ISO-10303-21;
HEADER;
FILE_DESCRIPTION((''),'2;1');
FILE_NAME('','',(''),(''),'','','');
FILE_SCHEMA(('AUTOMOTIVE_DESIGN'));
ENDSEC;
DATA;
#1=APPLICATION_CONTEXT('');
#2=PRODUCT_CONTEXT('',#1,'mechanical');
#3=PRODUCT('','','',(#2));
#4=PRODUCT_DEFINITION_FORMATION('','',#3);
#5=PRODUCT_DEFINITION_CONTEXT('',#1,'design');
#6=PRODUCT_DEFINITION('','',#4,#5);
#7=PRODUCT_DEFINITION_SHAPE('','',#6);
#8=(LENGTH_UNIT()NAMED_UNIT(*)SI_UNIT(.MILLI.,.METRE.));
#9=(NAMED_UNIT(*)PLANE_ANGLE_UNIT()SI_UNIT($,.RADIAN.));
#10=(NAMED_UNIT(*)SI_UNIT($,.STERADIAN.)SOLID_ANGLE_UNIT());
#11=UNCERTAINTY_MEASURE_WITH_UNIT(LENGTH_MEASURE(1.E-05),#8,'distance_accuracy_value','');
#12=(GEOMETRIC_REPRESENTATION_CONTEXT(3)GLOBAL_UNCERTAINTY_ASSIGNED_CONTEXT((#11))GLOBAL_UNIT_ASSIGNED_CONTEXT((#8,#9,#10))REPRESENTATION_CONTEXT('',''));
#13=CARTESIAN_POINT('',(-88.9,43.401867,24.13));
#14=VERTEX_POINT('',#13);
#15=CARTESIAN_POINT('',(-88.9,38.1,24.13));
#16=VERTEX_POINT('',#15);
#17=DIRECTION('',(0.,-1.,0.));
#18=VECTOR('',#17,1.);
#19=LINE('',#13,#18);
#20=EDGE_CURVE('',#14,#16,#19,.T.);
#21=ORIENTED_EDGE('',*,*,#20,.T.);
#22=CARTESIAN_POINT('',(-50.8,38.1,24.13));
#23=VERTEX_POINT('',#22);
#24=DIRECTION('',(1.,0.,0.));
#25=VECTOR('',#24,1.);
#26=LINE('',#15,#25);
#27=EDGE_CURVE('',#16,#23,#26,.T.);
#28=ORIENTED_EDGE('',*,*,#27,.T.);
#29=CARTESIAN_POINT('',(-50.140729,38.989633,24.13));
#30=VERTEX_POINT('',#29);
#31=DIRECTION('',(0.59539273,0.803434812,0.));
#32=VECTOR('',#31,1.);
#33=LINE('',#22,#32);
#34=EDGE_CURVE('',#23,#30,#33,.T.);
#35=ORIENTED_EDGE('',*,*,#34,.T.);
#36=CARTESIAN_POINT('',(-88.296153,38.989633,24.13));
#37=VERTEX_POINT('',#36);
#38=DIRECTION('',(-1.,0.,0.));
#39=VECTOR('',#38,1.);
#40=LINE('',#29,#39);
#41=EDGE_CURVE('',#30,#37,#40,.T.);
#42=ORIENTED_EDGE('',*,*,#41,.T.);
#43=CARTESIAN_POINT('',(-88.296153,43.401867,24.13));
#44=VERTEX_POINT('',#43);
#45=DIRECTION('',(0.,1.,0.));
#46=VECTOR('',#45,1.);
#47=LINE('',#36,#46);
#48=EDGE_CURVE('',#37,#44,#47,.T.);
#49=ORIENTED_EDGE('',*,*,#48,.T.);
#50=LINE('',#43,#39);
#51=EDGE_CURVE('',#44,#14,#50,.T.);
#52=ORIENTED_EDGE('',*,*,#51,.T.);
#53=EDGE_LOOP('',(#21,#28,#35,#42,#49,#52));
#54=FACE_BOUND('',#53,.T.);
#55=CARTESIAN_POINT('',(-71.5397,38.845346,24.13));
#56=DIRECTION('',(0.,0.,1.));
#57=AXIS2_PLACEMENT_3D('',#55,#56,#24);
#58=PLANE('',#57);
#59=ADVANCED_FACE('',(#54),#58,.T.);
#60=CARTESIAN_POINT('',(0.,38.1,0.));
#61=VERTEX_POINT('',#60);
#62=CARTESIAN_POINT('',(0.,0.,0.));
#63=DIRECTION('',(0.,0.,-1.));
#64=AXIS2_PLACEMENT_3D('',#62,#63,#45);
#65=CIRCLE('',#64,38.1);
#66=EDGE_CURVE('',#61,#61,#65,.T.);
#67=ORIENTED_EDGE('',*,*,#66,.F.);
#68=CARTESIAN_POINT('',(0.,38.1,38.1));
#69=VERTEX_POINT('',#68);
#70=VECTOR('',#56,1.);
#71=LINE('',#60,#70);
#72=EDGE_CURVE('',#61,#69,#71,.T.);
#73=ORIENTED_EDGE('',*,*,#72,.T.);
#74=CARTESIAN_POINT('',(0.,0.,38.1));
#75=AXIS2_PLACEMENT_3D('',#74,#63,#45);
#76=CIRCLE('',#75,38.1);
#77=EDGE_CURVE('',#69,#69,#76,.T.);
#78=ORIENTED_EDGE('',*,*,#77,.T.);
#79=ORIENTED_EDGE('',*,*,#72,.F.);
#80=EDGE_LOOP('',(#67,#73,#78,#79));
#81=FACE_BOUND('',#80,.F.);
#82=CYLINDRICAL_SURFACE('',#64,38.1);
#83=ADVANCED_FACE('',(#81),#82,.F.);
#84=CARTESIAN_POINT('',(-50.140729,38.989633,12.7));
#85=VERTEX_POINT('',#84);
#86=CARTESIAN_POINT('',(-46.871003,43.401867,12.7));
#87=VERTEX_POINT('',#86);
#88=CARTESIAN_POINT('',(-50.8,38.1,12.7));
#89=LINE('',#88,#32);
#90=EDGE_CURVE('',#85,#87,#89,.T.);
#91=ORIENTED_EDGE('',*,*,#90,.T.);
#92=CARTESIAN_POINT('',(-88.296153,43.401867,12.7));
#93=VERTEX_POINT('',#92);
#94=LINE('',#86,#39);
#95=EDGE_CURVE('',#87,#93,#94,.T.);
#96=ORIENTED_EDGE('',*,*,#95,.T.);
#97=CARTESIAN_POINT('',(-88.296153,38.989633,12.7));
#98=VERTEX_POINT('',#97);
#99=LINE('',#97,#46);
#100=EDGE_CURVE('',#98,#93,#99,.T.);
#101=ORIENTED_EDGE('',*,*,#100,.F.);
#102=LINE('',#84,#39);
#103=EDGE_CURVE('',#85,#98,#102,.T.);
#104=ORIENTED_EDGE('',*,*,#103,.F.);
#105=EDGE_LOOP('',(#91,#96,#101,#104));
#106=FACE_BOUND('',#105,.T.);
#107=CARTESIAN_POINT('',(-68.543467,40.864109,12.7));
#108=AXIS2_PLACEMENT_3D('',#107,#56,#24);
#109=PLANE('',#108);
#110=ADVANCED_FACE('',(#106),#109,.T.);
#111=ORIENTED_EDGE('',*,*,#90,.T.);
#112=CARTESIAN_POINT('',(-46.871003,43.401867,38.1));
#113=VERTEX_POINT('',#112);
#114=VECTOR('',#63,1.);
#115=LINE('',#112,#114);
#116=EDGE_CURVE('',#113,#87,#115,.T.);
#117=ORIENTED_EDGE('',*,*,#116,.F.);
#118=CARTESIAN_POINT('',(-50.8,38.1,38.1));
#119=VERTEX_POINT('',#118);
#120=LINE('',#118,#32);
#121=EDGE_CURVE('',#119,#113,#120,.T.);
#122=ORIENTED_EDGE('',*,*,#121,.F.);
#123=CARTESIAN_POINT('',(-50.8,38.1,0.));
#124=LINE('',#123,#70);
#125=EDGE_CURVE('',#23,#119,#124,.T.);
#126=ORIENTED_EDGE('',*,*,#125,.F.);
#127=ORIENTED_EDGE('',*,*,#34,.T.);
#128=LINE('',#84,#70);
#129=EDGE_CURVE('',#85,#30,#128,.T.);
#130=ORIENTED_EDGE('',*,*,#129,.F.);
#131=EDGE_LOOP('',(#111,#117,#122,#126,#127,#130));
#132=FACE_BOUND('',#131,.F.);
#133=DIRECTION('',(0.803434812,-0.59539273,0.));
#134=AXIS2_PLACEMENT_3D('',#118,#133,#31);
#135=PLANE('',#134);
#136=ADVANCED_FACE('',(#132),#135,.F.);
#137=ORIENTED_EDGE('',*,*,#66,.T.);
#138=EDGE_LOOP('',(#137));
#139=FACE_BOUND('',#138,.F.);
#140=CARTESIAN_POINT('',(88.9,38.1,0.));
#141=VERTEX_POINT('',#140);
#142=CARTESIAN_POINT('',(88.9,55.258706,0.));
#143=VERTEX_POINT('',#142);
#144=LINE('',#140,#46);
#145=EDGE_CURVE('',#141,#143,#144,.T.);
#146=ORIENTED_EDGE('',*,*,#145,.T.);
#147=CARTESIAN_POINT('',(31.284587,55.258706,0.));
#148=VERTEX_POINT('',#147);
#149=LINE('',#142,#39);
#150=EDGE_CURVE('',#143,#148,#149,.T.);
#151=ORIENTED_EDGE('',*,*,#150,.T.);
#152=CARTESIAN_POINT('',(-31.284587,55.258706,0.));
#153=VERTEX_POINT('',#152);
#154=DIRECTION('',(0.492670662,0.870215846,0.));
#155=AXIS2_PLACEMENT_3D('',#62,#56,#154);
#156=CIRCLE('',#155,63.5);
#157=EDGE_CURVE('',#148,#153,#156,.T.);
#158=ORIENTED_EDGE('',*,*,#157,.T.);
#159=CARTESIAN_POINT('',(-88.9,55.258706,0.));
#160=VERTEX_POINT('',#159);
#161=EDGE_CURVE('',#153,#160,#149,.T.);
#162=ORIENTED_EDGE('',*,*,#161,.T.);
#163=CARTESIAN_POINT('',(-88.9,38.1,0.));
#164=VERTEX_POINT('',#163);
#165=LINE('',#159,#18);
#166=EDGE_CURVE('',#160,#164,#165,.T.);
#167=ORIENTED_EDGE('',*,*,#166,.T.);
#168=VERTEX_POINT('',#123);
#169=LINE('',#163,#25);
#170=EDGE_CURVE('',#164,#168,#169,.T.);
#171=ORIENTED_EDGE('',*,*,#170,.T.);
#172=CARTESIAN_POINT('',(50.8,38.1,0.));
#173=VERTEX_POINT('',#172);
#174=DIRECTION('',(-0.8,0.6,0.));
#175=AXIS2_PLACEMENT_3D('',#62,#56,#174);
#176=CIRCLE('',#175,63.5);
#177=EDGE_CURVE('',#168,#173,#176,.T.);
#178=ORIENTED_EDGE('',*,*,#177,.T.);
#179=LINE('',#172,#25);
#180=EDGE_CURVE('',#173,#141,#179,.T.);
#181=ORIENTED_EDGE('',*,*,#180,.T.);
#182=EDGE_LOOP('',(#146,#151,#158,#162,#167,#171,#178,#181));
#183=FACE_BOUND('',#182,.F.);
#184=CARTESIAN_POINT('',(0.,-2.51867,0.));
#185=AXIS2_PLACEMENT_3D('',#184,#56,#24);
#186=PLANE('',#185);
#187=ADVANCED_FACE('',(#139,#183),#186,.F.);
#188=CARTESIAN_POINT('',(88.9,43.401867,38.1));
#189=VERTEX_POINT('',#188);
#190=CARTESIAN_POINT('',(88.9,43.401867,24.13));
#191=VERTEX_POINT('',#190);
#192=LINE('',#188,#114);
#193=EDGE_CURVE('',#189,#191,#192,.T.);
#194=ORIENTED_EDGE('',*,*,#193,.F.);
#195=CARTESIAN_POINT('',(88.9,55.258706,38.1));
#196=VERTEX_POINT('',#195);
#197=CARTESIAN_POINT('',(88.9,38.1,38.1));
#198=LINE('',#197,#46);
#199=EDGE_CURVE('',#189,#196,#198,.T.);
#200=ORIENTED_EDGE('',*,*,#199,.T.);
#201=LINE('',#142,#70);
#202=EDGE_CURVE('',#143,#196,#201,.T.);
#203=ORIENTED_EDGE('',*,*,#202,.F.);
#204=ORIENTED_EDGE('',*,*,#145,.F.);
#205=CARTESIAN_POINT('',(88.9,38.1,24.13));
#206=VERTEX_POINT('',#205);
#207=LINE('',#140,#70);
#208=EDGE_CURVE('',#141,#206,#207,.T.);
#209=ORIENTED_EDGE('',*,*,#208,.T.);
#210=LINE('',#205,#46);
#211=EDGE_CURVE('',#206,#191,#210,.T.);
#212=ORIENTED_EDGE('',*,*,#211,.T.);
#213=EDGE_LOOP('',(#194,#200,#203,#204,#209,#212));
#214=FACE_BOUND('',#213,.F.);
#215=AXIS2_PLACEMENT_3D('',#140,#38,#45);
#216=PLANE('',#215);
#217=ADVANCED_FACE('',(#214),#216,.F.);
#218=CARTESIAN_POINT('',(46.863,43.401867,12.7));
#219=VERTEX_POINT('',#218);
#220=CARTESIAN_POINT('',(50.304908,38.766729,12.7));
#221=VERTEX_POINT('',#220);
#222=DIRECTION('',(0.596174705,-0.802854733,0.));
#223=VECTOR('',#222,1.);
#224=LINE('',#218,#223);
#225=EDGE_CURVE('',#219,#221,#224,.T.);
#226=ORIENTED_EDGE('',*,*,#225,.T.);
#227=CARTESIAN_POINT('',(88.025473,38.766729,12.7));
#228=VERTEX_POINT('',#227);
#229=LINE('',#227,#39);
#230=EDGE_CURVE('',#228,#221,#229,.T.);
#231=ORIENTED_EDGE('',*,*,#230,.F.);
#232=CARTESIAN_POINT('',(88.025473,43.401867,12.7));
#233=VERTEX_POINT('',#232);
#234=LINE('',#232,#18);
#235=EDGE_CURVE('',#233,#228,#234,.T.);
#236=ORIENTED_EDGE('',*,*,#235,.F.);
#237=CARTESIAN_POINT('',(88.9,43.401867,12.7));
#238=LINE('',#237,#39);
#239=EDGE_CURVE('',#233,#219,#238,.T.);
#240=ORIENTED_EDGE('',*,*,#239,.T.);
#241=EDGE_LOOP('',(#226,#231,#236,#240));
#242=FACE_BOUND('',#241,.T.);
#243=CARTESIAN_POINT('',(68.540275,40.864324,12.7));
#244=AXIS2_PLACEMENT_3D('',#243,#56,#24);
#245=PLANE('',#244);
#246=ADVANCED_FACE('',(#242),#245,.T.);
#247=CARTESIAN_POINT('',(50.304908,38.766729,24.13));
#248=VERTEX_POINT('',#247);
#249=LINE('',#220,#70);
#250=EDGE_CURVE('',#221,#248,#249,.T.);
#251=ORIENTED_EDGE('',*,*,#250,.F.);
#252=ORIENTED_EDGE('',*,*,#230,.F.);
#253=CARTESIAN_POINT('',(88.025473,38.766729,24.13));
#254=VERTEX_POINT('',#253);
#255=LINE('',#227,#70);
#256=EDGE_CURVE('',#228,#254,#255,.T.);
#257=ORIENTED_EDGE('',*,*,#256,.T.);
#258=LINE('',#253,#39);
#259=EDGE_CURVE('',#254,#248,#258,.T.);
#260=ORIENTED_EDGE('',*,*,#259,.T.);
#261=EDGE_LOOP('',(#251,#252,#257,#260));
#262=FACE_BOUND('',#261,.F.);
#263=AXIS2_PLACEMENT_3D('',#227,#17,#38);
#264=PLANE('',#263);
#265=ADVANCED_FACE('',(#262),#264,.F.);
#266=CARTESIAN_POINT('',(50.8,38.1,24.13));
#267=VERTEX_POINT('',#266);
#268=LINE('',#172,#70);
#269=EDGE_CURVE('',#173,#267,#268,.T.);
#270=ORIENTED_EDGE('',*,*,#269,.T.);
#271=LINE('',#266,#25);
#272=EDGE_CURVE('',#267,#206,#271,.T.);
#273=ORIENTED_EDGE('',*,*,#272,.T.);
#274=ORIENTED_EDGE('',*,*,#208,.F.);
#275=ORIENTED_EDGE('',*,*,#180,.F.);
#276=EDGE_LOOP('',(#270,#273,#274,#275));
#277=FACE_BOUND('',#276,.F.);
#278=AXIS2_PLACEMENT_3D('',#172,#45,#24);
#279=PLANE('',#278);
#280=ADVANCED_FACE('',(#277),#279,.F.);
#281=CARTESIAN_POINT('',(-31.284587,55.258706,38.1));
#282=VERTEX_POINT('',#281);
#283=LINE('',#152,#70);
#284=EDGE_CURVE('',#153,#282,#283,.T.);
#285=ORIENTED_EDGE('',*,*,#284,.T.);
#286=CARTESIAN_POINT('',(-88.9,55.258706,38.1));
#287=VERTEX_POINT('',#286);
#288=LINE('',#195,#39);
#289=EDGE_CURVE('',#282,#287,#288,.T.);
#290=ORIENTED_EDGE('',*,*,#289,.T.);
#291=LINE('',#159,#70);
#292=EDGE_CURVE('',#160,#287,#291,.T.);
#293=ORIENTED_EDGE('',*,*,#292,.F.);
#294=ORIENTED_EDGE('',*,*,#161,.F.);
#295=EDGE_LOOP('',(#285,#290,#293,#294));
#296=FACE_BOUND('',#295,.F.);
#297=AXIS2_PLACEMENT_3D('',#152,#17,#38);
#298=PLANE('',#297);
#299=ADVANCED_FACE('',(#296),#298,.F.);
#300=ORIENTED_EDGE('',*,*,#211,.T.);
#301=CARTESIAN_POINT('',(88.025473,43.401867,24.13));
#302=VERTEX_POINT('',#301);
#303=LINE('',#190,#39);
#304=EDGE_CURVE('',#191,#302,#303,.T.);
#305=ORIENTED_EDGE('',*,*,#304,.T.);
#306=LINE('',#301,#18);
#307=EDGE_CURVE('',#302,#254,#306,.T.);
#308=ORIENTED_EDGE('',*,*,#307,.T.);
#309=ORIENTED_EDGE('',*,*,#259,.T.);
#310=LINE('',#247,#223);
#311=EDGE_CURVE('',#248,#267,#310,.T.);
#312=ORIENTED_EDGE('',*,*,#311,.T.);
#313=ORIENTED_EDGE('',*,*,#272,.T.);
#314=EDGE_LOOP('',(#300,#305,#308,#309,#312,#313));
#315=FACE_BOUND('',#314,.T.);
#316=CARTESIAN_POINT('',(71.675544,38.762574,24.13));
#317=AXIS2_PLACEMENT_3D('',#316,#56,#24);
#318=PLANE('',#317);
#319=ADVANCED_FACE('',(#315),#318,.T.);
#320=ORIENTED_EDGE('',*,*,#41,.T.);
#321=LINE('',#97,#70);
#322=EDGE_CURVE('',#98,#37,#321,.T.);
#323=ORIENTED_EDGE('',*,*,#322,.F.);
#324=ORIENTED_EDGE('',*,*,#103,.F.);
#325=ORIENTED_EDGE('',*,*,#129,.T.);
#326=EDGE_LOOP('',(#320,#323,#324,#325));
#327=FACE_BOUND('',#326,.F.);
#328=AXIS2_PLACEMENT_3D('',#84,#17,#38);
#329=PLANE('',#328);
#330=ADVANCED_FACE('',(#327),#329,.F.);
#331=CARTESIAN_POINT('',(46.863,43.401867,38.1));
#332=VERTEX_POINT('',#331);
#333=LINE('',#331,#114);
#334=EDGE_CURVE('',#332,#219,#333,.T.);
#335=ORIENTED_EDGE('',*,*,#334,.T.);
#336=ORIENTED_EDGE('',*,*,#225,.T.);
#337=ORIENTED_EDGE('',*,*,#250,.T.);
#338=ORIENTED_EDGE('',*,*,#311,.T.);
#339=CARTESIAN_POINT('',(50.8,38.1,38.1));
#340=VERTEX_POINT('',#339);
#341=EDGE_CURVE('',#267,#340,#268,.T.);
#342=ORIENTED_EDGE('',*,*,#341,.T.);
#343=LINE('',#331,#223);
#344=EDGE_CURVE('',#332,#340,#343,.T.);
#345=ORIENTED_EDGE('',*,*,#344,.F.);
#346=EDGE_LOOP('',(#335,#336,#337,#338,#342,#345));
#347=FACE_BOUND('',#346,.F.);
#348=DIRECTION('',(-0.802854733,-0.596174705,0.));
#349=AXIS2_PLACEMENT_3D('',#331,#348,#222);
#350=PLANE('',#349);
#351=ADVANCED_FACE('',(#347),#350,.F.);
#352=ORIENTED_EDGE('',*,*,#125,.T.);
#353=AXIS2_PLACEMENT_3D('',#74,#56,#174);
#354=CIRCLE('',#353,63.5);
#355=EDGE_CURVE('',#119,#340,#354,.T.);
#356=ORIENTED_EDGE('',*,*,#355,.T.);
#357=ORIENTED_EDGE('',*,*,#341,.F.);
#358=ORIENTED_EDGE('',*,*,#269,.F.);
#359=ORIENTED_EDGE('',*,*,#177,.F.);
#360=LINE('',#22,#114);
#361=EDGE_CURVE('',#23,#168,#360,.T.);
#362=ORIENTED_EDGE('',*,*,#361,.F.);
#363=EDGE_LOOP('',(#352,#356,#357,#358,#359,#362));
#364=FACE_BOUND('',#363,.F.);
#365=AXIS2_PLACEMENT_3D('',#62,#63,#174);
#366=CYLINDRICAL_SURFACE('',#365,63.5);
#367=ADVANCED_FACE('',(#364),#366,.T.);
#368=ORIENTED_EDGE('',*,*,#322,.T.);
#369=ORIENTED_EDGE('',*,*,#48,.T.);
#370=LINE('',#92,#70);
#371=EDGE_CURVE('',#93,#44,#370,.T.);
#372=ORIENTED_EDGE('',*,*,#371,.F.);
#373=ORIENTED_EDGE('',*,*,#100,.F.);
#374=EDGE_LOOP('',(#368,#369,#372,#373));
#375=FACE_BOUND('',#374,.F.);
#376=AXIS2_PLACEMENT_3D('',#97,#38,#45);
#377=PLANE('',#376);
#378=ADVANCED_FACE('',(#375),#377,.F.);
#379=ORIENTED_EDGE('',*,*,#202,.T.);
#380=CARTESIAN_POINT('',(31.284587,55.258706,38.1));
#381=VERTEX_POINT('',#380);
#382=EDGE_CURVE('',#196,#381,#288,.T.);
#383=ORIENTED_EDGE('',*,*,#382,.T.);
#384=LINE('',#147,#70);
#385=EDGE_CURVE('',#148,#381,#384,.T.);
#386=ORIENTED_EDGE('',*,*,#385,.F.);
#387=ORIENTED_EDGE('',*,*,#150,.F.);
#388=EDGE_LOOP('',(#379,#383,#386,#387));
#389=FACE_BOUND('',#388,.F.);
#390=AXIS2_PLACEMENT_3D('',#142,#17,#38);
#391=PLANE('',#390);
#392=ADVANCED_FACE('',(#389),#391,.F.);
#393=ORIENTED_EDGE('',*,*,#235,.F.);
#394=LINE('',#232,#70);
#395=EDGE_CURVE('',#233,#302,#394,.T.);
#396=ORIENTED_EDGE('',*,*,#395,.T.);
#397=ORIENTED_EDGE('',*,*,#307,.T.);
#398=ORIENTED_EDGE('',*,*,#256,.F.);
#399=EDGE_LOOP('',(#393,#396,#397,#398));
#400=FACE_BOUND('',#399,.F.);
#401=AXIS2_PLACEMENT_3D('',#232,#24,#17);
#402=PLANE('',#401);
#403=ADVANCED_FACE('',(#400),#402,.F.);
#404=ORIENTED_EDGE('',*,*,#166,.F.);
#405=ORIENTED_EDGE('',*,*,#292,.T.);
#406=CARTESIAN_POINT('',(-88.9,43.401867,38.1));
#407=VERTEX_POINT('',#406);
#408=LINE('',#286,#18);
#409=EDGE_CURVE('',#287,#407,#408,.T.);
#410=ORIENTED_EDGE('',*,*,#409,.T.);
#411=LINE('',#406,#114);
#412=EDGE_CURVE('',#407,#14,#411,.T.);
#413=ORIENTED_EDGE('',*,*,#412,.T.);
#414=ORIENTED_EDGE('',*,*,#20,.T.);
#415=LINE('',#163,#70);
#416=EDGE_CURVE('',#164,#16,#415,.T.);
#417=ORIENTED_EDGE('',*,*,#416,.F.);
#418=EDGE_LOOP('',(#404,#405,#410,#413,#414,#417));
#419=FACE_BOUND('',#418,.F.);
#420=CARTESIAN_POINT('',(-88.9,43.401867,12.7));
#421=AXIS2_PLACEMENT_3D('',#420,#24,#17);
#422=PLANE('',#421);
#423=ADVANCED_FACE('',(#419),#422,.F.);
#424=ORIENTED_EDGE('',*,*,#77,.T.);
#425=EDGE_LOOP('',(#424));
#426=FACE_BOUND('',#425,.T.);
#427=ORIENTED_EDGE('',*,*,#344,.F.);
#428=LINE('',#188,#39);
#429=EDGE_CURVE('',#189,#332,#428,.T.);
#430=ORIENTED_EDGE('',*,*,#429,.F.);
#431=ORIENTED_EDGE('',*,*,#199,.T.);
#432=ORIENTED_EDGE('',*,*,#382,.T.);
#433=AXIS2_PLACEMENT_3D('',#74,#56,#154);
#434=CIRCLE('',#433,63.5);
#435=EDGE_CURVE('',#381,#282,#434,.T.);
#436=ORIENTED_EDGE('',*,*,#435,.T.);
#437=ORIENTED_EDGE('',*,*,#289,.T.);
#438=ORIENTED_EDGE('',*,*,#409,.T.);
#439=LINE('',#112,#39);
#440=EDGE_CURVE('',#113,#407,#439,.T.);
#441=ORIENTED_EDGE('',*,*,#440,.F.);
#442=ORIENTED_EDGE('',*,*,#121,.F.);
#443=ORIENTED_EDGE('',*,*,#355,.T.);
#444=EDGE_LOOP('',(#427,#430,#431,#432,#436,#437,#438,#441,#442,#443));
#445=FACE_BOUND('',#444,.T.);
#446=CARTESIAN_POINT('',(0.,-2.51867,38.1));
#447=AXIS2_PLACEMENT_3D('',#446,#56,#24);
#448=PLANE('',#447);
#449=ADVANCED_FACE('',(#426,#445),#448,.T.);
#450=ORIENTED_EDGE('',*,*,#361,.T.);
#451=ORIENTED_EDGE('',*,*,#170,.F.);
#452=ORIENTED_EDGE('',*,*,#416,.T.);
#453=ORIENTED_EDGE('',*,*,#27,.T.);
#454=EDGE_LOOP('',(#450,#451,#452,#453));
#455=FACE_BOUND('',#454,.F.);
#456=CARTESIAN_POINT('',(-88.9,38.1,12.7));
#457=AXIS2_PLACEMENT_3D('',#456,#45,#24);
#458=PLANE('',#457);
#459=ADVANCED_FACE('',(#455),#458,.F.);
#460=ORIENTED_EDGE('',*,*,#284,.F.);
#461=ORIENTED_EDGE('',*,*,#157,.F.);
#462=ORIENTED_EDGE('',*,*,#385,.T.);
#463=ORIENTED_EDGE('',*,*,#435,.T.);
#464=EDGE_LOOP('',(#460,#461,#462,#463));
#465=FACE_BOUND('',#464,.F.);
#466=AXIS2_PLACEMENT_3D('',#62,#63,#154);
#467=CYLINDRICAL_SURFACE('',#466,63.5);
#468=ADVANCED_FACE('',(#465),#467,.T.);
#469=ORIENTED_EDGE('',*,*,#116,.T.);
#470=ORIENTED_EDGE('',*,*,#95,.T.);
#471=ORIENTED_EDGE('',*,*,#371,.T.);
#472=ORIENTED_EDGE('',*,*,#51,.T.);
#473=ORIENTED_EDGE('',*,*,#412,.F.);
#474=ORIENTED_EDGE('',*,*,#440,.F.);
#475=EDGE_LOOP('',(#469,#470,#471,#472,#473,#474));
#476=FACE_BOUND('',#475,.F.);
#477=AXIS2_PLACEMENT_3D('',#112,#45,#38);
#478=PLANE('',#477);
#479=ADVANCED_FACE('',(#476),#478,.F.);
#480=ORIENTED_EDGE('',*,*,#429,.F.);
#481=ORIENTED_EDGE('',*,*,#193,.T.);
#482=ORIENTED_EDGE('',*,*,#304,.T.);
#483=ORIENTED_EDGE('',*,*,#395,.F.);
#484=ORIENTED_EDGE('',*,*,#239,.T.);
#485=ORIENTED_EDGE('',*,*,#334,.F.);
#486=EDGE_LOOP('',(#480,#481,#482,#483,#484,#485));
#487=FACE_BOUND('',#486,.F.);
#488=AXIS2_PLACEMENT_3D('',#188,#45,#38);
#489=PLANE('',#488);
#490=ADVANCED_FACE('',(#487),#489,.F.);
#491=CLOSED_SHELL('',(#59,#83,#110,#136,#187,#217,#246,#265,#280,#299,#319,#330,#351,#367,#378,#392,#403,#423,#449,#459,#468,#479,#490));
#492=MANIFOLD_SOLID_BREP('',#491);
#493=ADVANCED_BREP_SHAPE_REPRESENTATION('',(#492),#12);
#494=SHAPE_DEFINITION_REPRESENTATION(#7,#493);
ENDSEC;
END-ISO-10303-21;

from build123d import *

# Parameters (mm, degrees)
F1_DEPTH = 38.1
F3_DEPTH = 25.4
F5_DEPTH = 11.43


with BuildPart() as f1:
    # F0 (on Top) → F1 (new body)
    with BuildSketch(Plane.XY):
        with BuildLine():
            ThreePointArc((-50.8, 38.1), (-20.0804631421, -60.2413894262), (63.5, 0))
            ThreePointArc((63.5, 0), (60.2413894262, 20.0804631421), (50.8, 38.1))
            Line((50.8, 38.1), (0, 38.1))
            Line((0, 38.1), (-50.8, 38.1))
        make_face()
        with BuildLine():
            ThreePointArc((38.1, 0), (-26.9407683632, -26.9407683632), (0, 38.1))
            ThreePointArc((0, 38.1), (26.9407683632, 26.9407683632), (38.1, 0))
        make_face(mode=Mode.SUBTRACT)
        with BuildLine():
            Line((0, 38.1), (50.8, 38.1))
            ThreePointArc((50.8, 38.1), (41.9294068416, 47.6883092792), (31.2845870641, 55.258706212))
            Line((31.2845870641, 55.258706212), (0, 55.258706212))
            Line((0, 55.258706212), (0, 38.1))
        make_face()
        with BuildLine():
            ThreePointArc((31.2845870641, 55.258706212), (41.9294068416, 47.6883092792), (50.8, 38.1))
            Line((50.8, 38.1), (88.9, 38.1))
            Line((88.9, 38.1), (88.9, 55.258706212))
            Line((88.9, 55.258706212), (31.2845870641, 55.258706212))
        make_face()
        with BuildLine():
            Line((-88.9, 38.1), (-50.8, 38.1))
            ThreePointArc((-50.8, 38.1), (-41.9294068416, 47.6883092792), (-31.2845870641, 55.258706212))
            Line((-31.2845870641, 55.258706212), (-88.9, 55.258706212))
            Line((-88.9, 55.258706212), (-88.9, 38.1))
        make_face()
        with BuildLine():
            ThreePointArc((-31.2845870641, 55.258706212), (-41.9294068416, 47.6883092792), (-50.8, 38.1))
            Line((-50.8, 38.1), (0, 38.1))
            Line((0, 38.1), (0, 55.258706212))
            Line((0, 55.258706212), (-31.2845870641, 55.258706212))
        make_face()
        with BuildLine():
            Line((0, 55.258706212), (31.2845870641, 55.258706212))
            ThreePointArc((31.2845870641, 55.258706212), (0, 63.5), (-31.2845870641, 55.258706212))
            Line((-31.2845870641, 55.258706212), (0, 55.258706212))
        make_face()
    extrude(amount=F1_DEPTH)

    # F2 (on face) → F3 (cut)
    with BuildSketch(Plane.XY.offset(38.1)):
        Polygon((-46.8710027635, 43.4018671513), (-88.9, 43.4018671513), (-88.9, 38.1), (-50.8, 38.1), align=None)
        Polygon((88.9, 38.1), (88.9, 43.4018671513), (46.863, 43.4018671513), (50.8, 38.1), align=None)
    extrude(amount=-F3_DEPTH, mode=Mode.SUBTRACT)

    # F4 (on face) → F5 (join)
    with BuildSketch(Plane.XY.offset(12.7)):
        Polygon((-50.1407290747, 38.9896333218), (-88.2961526513, 38.9896333218), (-88.2961526513, 43.4018671513), (-88.9, 43.4018671513), (-88.9, 38.9896333218), (-88.9, 38.1), (-50.8, 38.1), align=None)
        Polygon((88.9, 38.1), (88.9, 43.4018671513), (88.0254730582, 43.4018671513), (88.0254730582, 38.7667292968), (50.304907768, 38.7667292968), (50.8, 38.1), align=None)
    extrude(amount=F5_DEPTH)


solid = f1.part
